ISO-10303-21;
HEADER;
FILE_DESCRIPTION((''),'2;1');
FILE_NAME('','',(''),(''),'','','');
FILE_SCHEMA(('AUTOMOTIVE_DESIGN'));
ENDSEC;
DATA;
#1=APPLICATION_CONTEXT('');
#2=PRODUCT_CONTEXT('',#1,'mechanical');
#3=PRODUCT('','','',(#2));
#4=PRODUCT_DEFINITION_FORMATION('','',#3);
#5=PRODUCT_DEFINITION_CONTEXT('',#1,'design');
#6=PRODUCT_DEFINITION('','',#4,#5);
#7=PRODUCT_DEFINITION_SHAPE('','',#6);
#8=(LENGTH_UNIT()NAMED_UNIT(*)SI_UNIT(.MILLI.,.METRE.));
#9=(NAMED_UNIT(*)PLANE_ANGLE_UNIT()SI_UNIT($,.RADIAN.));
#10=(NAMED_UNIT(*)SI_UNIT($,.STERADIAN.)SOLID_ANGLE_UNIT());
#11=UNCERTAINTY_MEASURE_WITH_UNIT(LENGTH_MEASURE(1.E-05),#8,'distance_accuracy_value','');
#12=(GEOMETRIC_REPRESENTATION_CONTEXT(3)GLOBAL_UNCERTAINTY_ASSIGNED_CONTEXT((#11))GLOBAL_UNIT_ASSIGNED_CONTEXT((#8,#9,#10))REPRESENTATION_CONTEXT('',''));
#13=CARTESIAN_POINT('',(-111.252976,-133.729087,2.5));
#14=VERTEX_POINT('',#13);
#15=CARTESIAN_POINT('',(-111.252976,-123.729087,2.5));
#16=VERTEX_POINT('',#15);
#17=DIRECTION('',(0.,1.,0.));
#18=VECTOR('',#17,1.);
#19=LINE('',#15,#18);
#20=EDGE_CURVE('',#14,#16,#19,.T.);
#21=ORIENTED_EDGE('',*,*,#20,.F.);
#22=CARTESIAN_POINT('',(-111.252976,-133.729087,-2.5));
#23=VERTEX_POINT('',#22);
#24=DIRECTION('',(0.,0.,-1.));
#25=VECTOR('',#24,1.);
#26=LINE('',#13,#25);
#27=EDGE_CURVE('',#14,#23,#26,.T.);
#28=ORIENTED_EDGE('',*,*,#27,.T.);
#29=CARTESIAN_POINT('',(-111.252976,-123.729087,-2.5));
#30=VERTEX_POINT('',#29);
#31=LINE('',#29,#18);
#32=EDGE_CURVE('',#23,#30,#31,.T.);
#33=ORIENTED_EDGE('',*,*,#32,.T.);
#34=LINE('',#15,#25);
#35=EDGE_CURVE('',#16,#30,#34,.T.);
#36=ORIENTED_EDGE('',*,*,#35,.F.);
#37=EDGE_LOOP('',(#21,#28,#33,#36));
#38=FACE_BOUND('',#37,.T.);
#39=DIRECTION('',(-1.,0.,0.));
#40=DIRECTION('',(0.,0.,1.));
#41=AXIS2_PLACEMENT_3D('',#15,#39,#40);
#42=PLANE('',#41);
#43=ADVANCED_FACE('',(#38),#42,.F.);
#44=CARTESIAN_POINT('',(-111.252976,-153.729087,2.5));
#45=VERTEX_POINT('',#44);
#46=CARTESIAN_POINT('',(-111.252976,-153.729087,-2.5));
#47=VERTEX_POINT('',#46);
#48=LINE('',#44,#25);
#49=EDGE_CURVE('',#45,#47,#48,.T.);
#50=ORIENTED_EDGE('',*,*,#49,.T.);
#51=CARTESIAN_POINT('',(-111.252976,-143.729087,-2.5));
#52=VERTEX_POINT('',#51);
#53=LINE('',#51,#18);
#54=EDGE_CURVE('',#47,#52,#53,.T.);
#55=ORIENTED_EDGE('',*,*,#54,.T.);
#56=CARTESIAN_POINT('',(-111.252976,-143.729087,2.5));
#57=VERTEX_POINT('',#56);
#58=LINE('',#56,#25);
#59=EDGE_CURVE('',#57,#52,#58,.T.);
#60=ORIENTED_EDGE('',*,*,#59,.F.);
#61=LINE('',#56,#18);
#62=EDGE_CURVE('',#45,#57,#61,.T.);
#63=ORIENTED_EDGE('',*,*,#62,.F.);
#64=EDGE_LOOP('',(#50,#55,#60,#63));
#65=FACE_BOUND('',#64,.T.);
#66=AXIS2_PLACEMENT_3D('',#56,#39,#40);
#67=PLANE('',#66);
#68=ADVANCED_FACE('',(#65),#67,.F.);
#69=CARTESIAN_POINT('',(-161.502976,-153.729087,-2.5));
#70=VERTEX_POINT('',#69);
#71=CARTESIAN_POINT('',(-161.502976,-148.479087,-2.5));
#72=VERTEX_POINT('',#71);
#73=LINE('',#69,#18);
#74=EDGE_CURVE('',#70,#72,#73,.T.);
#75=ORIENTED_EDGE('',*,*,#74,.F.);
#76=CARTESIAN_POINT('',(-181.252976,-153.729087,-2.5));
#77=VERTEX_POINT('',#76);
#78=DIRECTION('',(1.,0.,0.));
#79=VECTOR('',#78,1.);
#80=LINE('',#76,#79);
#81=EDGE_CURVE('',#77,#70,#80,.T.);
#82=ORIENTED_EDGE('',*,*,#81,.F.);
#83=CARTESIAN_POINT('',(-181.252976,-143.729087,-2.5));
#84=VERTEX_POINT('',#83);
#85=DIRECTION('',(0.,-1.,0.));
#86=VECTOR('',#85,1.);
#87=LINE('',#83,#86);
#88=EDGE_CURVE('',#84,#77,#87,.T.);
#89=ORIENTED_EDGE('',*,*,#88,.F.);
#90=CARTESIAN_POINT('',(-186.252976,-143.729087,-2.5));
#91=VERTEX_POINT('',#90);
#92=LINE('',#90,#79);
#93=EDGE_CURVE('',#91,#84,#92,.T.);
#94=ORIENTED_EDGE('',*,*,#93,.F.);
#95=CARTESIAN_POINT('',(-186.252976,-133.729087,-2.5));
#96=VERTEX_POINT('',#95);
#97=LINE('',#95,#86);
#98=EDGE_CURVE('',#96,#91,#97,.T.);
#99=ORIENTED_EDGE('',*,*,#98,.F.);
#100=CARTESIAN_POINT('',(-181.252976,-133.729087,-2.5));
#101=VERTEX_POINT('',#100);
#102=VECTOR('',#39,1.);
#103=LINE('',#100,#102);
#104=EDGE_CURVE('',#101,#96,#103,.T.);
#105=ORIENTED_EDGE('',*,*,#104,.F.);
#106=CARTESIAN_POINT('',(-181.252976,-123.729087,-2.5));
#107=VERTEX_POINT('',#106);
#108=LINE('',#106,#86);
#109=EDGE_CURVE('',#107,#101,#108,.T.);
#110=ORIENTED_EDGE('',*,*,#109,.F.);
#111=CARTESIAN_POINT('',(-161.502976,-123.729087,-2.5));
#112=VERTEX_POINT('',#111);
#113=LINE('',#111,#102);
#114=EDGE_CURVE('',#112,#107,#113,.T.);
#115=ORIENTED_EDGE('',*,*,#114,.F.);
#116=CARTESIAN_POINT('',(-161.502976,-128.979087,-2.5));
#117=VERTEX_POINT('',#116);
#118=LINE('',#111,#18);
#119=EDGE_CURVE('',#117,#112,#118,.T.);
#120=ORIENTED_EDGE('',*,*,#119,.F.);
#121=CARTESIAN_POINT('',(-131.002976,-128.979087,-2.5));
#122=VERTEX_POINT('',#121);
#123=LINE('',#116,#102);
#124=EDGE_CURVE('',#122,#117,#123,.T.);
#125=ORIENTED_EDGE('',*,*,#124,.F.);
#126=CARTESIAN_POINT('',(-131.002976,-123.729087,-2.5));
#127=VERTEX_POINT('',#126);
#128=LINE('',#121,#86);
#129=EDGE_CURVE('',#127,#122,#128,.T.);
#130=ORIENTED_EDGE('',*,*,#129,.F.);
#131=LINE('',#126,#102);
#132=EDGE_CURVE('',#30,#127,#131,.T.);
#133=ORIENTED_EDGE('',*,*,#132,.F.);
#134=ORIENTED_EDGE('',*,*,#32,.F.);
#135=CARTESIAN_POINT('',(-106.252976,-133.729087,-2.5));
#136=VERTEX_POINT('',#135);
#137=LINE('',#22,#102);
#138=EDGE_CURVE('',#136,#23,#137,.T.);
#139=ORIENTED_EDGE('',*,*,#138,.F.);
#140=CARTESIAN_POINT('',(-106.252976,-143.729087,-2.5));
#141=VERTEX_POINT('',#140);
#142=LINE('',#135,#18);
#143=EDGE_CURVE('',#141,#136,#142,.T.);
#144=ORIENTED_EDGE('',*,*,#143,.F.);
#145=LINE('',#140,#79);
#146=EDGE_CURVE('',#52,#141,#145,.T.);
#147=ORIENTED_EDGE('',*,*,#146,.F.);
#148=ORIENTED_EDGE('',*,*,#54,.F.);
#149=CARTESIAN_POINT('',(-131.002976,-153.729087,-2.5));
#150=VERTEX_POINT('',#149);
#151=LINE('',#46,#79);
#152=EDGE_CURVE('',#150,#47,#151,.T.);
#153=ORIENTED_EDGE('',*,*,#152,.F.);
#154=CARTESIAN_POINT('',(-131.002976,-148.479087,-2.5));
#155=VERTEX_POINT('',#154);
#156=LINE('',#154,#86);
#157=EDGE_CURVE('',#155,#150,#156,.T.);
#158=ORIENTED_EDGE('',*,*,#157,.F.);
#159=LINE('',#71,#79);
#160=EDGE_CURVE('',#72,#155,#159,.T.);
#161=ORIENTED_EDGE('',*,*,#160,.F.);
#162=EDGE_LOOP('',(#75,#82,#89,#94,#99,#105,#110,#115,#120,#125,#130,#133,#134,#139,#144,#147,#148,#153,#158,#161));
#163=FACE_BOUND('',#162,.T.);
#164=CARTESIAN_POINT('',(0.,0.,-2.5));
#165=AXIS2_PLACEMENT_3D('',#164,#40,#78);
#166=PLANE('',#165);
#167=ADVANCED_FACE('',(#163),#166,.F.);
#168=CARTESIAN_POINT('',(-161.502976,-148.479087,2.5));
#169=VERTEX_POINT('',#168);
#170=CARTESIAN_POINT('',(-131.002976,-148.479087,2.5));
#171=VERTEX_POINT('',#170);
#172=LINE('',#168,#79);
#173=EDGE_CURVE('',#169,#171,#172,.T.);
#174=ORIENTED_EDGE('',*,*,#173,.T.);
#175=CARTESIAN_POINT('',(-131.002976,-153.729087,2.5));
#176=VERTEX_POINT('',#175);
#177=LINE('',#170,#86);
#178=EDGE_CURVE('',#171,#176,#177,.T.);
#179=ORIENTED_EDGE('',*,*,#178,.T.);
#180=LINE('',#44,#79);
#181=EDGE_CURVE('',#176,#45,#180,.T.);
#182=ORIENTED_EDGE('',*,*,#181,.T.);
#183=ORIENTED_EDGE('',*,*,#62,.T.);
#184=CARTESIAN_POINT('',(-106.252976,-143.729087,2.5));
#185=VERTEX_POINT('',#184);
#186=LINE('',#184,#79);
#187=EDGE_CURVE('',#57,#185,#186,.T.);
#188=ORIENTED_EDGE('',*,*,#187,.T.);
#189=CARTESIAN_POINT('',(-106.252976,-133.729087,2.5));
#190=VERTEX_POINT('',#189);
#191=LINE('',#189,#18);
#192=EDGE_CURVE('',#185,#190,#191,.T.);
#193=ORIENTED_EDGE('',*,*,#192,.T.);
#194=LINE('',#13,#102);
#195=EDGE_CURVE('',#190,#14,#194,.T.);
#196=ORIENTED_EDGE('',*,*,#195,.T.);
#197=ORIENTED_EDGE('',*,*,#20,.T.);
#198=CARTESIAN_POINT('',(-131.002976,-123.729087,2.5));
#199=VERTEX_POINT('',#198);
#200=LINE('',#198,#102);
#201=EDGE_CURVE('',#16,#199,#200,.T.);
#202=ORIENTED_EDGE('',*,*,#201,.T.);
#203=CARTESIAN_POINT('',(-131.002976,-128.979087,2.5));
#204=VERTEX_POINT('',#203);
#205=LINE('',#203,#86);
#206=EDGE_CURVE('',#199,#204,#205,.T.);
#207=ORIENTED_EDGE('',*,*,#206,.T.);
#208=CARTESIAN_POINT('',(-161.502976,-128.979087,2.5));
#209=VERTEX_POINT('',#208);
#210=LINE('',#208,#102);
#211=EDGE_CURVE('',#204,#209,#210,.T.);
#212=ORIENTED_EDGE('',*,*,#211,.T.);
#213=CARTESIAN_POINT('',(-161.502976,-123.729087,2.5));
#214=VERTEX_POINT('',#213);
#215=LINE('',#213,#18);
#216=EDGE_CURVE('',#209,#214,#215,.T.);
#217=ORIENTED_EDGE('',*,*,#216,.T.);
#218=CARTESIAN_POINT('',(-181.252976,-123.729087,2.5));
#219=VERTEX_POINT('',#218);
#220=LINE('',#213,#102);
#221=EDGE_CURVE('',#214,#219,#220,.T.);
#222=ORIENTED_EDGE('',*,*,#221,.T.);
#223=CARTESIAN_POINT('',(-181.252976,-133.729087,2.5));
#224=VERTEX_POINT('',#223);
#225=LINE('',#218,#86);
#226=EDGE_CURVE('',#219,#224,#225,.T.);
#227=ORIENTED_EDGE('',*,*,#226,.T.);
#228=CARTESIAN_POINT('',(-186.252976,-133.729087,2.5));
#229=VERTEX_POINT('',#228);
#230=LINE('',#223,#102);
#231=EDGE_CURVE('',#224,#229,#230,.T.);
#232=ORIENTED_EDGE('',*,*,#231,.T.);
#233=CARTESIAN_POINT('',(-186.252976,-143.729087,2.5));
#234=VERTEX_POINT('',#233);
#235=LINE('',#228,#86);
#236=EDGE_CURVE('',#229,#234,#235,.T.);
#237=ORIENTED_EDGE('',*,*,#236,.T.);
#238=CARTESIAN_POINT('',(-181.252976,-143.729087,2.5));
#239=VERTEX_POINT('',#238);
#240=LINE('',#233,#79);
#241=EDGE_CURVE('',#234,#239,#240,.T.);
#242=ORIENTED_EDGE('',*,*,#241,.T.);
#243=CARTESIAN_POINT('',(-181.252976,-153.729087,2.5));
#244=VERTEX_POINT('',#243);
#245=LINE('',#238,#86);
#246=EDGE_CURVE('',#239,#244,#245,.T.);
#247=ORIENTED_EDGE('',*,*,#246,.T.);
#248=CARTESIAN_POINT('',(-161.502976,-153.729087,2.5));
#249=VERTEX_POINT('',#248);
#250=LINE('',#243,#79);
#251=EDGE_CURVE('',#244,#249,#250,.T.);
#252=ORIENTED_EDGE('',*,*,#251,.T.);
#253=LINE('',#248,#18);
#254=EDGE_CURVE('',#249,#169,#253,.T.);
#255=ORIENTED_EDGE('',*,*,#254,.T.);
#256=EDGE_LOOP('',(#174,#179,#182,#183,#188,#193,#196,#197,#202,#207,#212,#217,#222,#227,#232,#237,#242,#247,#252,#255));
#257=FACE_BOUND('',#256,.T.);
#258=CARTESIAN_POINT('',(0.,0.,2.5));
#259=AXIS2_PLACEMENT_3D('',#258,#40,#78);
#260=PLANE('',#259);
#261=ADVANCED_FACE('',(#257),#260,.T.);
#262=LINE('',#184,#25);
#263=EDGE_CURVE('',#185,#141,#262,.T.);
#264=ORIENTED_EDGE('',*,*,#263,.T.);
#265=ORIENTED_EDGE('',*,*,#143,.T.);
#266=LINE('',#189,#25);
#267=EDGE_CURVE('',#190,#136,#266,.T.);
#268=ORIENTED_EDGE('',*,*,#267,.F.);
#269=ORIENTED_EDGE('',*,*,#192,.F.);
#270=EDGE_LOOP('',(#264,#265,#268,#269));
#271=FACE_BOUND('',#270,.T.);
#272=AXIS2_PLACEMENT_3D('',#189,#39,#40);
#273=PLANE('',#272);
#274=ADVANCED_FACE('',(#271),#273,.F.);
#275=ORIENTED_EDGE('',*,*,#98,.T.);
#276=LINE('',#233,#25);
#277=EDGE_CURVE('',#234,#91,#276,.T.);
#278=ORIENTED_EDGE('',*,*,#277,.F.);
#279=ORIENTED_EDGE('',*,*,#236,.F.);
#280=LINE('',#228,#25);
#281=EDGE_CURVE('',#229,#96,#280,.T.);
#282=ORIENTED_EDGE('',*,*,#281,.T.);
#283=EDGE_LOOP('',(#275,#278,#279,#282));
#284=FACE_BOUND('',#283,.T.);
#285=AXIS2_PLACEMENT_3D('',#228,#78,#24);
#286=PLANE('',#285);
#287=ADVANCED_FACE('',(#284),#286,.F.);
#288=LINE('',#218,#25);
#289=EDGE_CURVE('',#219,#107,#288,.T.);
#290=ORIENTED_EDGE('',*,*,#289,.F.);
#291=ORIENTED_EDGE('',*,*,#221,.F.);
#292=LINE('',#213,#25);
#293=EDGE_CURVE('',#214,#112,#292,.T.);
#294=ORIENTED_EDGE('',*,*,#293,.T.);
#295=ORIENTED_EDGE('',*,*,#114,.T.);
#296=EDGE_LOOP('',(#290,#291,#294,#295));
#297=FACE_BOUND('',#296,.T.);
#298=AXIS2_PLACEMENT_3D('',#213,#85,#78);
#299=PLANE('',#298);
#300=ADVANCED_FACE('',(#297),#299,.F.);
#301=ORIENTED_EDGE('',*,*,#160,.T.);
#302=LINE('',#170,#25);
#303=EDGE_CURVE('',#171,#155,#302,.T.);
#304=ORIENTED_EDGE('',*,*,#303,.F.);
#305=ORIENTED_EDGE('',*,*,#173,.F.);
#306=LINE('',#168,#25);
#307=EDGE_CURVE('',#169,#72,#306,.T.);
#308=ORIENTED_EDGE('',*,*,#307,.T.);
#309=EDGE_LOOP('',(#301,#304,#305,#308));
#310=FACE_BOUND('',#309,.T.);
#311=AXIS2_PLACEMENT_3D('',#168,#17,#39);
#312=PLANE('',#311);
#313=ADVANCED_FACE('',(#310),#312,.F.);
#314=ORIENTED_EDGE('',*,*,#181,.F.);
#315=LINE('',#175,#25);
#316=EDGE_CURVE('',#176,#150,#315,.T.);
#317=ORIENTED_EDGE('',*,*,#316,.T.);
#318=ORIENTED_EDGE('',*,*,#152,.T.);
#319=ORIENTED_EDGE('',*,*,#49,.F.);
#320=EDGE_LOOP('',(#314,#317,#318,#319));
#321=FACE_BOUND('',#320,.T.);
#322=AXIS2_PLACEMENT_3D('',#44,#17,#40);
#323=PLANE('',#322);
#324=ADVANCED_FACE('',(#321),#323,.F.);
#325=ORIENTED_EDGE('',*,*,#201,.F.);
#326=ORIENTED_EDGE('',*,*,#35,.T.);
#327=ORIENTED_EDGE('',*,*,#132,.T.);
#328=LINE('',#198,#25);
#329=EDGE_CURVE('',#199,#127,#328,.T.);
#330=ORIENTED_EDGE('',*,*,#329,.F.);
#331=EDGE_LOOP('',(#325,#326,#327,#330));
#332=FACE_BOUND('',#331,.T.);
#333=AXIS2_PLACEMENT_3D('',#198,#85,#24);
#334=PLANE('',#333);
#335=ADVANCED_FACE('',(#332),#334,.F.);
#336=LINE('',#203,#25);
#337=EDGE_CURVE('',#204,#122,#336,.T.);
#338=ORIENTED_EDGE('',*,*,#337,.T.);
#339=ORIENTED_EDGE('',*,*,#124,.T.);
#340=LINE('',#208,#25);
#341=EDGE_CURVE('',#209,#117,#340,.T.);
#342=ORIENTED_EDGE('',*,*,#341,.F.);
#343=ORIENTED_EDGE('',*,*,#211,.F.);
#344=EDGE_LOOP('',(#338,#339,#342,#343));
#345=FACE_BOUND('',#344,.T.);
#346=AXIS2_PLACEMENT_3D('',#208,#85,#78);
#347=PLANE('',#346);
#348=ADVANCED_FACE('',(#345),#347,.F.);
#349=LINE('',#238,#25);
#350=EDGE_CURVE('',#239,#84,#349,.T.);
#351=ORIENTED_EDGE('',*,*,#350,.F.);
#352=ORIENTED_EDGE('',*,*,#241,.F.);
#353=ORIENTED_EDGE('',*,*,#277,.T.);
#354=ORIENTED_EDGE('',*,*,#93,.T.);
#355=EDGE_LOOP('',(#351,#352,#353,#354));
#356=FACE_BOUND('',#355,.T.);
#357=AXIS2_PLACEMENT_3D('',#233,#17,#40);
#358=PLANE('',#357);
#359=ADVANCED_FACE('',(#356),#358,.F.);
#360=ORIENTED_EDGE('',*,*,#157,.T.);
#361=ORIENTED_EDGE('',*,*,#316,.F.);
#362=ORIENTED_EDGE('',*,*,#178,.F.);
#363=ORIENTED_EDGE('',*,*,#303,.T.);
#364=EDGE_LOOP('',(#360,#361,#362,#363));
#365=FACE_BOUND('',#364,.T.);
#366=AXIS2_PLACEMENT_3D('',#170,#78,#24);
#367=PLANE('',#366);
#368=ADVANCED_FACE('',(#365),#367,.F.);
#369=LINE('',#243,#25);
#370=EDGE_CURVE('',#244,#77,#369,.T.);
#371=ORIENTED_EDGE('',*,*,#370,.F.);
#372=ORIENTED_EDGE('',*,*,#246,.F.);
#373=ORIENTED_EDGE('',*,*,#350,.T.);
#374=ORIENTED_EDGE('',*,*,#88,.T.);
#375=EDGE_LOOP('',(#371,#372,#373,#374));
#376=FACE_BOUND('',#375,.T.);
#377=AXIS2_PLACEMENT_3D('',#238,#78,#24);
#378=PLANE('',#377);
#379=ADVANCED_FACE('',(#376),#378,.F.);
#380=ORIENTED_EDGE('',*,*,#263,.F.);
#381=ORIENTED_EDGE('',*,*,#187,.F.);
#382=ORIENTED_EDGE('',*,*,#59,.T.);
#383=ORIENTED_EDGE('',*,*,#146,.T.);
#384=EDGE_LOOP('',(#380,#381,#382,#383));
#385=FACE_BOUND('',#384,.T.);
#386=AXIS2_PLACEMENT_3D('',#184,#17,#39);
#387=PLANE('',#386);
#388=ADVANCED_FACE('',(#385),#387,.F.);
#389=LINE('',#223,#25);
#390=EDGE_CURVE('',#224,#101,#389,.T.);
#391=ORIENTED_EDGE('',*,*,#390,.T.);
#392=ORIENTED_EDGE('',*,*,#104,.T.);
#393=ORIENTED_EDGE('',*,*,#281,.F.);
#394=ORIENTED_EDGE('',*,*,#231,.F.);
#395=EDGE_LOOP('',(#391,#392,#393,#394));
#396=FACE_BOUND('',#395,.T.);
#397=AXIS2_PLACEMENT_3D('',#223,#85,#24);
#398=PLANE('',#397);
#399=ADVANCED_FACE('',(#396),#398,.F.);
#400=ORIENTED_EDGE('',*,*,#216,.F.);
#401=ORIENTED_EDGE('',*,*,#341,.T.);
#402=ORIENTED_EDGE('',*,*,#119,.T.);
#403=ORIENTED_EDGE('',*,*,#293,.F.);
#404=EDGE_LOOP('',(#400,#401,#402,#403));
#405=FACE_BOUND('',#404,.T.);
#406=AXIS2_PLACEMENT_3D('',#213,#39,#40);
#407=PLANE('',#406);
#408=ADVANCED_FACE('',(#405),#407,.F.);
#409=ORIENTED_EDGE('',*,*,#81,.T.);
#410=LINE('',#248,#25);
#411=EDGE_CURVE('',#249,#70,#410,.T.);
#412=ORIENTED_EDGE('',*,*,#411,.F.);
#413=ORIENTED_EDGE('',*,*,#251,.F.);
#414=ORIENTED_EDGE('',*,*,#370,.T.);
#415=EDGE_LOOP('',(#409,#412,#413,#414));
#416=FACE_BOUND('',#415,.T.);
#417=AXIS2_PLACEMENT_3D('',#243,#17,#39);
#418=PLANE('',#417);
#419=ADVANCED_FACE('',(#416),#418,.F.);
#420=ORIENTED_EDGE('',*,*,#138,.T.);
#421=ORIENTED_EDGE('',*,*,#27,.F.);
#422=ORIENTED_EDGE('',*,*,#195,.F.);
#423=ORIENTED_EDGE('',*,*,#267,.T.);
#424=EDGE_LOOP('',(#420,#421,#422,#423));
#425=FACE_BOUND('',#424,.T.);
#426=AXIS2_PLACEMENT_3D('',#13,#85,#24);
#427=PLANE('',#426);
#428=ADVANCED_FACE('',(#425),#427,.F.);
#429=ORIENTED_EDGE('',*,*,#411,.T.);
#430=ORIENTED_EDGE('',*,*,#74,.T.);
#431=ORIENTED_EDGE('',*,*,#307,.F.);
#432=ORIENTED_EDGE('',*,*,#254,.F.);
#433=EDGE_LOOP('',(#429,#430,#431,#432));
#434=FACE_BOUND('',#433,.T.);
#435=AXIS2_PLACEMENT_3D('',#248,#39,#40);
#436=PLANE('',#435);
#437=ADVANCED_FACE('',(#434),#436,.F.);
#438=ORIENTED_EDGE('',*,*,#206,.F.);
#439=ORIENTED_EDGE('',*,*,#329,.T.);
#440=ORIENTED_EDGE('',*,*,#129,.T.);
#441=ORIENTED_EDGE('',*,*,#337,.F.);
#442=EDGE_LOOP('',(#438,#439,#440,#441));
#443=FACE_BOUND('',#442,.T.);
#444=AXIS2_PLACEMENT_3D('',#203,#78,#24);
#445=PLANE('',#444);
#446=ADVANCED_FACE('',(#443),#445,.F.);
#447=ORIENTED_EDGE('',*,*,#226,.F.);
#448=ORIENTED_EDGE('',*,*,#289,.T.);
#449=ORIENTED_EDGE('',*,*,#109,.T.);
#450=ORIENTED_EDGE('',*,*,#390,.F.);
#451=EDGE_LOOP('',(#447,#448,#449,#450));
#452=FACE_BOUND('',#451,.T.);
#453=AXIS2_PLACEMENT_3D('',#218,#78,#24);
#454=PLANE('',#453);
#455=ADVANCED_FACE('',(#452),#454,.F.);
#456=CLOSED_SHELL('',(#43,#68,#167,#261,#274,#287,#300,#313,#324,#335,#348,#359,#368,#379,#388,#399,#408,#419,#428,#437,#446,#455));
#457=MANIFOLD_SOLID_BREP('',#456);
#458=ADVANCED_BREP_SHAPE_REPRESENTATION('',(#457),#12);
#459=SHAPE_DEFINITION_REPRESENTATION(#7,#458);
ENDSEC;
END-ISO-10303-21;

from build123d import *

# Parameters (mm, degrees)
BOSS_EXTRUDE1_DEPTH = 2.5


with BuildPart() as part:
    # Sketch2 → Boss-Extrude1 (new, symmetric)
    with BuildSketch(Plane.XY):
        Polygon((-161.502975542, -123.729086599), (-161.502975542, -128.979086599), (-131.002975542, -128.979086599), (-131.002975542, -123.729086599), (-111.252975542, -123.729086599), (-111.252975542, -133.729086599), (-106.252975542, -133.729086599), (-106.252975542, -143.729086599), (-111.252975542, -143.729086599), (-111.252975542, -153.729086599), (-131.002975542, -153.729086599), (-131.002975542, -148.479086599), (-161.502975542, -148.479086599), (-161.502975542, -153.729086599), (-181.252975542, -153.729086599), (-181.252975542, -143.729086599), (-186.252975542, -143.729086599), (-186.252975542, -133.729086599), (-181.252975542, -133.729086599), (-181.252975542, -123.729086599), align=None)
    extrude(amount=BOSS_EXTRUDE1_DEPTH, both=True)


solid = part.part
